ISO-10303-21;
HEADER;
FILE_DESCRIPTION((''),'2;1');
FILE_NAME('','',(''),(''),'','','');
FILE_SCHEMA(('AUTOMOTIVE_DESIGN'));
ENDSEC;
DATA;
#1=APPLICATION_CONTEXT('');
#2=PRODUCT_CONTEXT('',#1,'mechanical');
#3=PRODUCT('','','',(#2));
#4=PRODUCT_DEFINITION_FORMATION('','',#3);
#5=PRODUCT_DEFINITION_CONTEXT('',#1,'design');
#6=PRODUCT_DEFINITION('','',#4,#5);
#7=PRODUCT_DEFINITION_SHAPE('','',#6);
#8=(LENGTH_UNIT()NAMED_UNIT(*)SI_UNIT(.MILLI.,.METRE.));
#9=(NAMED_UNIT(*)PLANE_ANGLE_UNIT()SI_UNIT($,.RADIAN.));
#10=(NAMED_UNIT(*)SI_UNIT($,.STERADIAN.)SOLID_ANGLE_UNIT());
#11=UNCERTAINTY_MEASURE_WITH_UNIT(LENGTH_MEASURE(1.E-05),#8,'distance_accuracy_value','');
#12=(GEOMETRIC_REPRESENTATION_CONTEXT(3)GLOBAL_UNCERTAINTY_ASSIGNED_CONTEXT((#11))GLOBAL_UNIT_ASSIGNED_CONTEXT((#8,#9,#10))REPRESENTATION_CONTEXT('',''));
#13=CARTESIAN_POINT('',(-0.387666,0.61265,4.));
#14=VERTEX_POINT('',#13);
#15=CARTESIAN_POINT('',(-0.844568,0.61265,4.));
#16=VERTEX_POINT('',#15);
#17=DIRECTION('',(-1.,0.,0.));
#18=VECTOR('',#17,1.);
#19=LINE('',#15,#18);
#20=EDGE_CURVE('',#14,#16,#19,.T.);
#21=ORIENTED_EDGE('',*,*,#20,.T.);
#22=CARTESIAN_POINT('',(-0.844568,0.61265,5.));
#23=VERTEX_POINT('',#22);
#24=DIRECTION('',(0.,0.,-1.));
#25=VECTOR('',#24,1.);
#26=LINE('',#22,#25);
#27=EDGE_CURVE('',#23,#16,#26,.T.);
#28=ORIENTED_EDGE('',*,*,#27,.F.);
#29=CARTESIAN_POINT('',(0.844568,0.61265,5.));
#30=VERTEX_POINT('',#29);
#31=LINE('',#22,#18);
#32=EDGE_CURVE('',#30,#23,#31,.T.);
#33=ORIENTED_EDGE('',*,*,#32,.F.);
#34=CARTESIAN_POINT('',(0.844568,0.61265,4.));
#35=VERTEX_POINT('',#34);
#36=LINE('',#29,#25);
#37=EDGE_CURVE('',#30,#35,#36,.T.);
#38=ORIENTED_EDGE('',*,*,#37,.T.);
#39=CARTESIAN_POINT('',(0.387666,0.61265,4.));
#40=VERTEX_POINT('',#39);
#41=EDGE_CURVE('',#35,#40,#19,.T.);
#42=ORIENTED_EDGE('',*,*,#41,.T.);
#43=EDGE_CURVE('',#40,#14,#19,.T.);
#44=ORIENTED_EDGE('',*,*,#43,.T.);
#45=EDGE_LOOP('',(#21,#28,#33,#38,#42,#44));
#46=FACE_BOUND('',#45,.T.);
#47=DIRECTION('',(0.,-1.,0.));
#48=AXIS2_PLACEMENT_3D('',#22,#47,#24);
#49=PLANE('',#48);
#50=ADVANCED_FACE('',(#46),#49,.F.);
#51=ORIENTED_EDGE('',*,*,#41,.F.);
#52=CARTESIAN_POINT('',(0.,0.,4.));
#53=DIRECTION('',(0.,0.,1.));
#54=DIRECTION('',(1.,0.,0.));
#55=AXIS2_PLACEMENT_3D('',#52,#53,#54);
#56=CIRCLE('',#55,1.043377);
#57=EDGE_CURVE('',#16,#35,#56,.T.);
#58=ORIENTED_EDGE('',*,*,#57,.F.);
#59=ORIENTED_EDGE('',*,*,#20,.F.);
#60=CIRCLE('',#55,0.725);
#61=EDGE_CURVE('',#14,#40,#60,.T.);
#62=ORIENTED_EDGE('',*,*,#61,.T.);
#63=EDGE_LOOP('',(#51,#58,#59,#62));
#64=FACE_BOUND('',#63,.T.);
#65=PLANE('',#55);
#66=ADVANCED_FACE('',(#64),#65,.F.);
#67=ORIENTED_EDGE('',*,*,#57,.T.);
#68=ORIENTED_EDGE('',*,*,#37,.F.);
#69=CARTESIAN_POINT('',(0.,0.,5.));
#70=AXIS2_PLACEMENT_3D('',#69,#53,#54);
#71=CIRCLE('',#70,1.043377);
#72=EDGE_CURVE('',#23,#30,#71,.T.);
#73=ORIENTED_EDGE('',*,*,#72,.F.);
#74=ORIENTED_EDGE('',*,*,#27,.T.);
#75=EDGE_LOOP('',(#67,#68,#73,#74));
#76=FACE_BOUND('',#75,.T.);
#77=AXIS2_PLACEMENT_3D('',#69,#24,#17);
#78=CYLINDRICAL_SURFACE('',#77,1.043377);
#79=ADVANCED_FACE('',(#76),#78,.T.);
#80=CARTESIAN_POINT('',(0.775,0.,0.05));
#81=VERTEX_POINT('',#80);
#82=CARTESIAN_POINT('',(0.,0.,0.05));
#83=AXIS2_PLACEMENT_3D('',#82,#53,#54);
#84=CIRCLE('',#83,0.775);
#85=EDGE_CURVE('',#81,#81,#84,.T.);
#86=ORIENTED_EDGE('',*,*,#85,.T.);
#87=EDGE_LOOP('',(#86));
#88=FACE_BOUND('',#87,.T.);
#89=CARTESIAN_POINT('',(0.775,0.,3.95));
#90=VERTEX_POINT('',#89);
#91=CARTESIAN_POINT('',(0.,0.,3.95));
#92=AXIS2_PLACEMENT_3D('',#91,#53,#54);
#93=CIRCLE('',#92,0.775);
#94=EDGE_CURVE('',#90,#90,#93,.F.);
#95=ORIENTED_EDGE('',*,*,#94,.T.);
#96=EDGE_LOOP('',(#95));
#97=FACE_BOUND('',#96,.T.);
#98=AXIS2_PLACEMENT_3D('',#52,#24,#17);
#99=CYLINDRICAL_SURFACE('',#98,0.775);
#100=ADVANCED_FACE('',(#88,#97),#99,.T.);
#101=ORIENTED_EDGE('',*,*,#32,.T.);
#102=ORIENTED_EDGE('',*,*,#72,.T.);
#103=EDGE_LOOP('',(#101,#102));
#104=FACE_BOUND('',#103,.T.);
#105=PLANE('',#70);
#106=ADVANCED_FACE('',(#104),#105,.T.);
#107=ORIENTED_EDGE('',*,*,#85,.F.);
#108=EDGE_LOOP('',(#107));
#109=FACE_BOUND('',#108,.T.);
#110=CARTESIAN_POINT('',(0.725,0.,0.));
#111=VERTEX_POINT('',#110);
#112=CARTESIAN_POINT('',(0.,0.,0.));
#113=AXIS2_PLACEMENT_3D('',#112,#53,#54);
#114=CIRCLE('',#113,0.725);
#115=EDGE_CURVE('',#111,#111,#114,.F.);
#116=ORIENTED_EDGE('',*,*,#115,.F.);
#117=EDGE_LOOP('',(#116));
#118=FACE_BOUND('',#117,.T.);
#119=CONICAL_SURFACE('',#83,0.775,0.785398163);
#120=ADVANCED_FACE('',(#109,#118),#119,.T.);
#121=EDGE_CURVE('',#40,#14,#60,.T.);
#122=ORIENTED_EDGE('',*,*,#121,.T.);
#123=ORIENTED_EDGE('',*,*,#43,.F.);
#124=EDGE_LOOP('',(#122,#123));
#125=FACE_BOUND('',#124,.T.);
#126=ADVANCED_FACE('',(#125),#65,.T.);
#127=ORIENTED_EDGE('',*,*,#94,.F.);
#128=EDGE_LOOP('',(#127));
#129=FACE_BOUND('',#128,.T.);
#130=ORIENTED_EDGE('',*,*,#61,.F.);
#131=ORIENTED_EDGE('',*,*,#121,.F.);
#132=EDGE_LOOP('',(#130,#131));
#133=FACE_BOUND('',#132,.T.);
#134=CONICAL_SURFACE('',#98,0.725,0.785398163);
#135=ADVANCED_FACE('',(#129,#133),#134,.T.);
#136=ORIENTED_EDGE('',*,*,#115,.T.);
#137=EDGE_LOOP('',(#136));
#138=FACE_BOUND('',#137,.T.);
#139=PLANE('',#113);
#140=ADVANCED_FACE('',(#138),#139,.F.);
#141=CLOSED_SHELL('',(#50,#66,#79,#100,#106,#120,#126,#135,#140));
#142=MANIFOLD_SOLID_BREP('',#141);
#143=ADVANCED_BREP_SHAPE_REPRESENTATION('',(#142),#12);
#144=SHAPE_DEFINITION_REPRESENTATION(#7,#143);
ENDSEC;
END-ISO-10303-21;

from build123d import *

# Parameters (mm, degrees)
SKETCH2_R           = 0.775
BOSS_EXTRUDE1_DEPTH = 4
CHAMFER2_SIZE       = 0.05
BOSS_EXTRUDE2_DEPTH = 1


with BuildPart() as part:
    # Sketch2 → Boss-Extrude1 (new body)
    with BuildSketch(Plane.XY):
        Circle(SKETCH2_R)
    extrude(amount=BOSS_EXTRUDE1_DEPTH)

    # Chamfer2
    chamfer2_edges = [part.edges().sort_by_distance(p)[0] for p in [
        (-0.775, 0, 0),
        (-0.775, 0, 4),
    ]]
    chamfer(chamfer2_edges, length=CHAMFER2_SIZE)

    # Sketch3 → Boss-Extrude2 (add)
    with BuildSketch(Plane.XY.offset(4)):
        with BuildLine():
            Line((-0.844567845, 0.612649901), (0.844567845, 0.612649901))
            ThreePointArc((0.844567845, 0.612649901), (0, -1.043376608), (-0.844567845, 0.612649901))
        make_face()
    extrude(amount=BOSS_EXTRUDE2_DEPTH)


solid = part.part
